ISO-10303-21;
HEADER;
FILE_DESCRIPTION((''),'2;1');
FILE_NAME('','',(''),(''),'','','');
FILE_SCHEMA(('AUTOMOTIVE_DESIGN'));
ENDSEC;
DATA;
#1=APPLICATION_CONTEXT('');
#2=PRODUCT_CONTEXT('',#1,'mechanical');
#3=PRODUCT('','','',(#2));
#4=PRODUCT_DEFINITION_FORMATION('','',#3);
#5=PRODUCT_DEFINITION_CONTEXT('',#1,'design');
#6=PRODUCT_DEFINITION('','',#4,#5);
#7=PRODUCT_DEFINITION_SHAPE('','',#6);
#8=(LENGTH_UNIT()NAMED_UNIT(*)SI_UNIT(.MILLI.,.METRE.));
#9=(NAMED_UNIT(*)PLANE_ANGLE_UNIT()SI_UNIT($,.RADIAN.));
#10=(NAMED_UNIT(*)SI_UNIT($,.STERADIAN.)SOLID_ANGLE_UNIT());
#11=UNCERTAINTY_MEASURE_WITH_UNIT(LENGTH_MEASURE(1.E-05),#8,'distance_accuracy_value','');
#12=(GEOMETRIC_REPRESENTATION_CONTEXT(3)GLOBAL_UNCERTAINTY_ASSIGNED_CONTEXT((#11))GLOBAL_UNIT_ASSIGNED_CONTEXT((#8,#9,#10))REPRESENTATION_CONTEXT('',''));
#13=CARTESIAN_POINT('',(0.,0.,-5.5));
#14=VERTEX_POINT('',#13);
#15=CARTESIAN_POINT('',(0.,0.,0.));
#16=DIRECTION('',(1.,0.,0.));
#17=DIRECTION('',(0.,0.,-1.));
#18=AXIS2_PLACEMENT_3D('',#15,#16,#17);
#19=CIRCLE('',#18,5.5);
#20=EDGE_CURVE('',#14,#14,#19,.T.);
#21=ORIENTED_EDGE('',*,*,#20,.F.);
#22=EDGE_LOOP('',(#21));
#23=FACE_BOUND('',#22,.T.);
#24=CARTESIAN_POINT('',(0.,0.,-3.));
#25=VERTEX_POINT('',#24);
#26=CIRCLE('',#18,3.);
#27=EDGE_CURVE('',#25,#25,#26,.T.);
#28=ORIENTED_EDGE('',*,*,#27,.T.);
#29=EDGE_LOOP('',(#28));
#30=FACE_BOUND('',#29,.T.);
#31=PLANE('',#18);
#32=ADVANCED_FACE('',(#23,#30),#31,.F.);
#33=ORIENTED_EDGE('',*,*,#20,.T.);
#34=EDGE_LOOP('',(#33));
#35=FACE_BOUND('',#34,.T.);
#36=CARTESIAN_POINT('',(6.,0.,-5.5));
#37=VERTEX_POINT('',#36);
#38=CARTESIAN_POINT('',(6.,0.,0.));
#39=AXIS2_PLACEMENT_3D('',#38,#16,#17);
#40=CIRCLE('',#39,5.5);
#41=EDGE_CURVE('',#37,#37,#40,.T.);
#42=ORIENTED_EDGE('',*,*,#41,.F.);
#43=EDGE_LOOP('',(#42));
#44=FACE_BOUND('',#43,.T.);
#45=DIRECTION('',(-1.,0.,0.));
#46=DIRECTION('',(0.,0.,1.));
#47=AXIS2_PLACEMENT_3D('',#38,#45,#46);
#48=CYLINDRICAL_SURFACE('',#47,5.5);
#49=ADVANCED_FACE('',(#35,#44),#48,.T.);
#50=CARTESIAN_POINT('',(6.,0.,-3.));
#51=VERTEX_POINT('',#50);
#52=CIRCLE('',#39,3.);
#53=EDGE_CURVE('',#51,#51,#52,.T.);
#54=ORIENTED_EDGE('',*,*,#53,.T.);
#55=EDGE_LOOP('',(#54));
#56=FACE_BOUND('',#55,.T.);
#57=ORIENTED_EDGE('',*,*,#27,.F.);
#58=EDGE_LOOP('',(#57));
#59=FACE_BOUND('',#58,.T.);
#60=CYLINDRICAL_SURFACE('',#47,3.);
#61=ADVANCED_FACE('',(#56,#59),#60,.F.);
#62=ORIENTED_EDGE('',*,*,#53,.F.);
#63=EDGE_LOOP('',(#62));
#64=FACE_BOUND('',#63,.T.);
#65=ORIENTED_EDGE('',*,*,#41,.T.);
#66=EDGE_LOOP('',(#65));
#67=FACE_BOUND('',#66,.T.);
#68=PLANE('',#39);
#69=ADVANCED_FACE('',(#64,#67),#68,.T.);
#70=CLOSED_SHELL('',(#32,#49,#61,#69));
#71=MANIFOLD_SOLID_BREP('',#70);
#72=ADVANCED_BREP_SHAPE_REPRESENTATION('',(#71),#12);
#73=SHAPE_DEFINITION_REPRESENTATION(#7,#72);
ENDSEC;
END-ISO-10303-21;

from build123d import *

# Parameters (mm, degrees)
SKETCH_1_R      = 5.5
SKETCH_1_R_2    = 3
EXTRUDE_1_DEPTH = 6


with BuildPart() as part:
    # 草图1 → 凸台-拉伸1 (new body)
    with BuildSketch(Plane(origin=(0, 0, 0), x_dir=(0, 0, -1), z_dir=(1, 0, 0))):
        Circle(SKETCH_1_R)
        Circle(SKETCH_1_R_2, mode=Mode.SUBTRACT)
    extrude(amount=EXTRUDE_1_DEPTH)


solid = part.part
